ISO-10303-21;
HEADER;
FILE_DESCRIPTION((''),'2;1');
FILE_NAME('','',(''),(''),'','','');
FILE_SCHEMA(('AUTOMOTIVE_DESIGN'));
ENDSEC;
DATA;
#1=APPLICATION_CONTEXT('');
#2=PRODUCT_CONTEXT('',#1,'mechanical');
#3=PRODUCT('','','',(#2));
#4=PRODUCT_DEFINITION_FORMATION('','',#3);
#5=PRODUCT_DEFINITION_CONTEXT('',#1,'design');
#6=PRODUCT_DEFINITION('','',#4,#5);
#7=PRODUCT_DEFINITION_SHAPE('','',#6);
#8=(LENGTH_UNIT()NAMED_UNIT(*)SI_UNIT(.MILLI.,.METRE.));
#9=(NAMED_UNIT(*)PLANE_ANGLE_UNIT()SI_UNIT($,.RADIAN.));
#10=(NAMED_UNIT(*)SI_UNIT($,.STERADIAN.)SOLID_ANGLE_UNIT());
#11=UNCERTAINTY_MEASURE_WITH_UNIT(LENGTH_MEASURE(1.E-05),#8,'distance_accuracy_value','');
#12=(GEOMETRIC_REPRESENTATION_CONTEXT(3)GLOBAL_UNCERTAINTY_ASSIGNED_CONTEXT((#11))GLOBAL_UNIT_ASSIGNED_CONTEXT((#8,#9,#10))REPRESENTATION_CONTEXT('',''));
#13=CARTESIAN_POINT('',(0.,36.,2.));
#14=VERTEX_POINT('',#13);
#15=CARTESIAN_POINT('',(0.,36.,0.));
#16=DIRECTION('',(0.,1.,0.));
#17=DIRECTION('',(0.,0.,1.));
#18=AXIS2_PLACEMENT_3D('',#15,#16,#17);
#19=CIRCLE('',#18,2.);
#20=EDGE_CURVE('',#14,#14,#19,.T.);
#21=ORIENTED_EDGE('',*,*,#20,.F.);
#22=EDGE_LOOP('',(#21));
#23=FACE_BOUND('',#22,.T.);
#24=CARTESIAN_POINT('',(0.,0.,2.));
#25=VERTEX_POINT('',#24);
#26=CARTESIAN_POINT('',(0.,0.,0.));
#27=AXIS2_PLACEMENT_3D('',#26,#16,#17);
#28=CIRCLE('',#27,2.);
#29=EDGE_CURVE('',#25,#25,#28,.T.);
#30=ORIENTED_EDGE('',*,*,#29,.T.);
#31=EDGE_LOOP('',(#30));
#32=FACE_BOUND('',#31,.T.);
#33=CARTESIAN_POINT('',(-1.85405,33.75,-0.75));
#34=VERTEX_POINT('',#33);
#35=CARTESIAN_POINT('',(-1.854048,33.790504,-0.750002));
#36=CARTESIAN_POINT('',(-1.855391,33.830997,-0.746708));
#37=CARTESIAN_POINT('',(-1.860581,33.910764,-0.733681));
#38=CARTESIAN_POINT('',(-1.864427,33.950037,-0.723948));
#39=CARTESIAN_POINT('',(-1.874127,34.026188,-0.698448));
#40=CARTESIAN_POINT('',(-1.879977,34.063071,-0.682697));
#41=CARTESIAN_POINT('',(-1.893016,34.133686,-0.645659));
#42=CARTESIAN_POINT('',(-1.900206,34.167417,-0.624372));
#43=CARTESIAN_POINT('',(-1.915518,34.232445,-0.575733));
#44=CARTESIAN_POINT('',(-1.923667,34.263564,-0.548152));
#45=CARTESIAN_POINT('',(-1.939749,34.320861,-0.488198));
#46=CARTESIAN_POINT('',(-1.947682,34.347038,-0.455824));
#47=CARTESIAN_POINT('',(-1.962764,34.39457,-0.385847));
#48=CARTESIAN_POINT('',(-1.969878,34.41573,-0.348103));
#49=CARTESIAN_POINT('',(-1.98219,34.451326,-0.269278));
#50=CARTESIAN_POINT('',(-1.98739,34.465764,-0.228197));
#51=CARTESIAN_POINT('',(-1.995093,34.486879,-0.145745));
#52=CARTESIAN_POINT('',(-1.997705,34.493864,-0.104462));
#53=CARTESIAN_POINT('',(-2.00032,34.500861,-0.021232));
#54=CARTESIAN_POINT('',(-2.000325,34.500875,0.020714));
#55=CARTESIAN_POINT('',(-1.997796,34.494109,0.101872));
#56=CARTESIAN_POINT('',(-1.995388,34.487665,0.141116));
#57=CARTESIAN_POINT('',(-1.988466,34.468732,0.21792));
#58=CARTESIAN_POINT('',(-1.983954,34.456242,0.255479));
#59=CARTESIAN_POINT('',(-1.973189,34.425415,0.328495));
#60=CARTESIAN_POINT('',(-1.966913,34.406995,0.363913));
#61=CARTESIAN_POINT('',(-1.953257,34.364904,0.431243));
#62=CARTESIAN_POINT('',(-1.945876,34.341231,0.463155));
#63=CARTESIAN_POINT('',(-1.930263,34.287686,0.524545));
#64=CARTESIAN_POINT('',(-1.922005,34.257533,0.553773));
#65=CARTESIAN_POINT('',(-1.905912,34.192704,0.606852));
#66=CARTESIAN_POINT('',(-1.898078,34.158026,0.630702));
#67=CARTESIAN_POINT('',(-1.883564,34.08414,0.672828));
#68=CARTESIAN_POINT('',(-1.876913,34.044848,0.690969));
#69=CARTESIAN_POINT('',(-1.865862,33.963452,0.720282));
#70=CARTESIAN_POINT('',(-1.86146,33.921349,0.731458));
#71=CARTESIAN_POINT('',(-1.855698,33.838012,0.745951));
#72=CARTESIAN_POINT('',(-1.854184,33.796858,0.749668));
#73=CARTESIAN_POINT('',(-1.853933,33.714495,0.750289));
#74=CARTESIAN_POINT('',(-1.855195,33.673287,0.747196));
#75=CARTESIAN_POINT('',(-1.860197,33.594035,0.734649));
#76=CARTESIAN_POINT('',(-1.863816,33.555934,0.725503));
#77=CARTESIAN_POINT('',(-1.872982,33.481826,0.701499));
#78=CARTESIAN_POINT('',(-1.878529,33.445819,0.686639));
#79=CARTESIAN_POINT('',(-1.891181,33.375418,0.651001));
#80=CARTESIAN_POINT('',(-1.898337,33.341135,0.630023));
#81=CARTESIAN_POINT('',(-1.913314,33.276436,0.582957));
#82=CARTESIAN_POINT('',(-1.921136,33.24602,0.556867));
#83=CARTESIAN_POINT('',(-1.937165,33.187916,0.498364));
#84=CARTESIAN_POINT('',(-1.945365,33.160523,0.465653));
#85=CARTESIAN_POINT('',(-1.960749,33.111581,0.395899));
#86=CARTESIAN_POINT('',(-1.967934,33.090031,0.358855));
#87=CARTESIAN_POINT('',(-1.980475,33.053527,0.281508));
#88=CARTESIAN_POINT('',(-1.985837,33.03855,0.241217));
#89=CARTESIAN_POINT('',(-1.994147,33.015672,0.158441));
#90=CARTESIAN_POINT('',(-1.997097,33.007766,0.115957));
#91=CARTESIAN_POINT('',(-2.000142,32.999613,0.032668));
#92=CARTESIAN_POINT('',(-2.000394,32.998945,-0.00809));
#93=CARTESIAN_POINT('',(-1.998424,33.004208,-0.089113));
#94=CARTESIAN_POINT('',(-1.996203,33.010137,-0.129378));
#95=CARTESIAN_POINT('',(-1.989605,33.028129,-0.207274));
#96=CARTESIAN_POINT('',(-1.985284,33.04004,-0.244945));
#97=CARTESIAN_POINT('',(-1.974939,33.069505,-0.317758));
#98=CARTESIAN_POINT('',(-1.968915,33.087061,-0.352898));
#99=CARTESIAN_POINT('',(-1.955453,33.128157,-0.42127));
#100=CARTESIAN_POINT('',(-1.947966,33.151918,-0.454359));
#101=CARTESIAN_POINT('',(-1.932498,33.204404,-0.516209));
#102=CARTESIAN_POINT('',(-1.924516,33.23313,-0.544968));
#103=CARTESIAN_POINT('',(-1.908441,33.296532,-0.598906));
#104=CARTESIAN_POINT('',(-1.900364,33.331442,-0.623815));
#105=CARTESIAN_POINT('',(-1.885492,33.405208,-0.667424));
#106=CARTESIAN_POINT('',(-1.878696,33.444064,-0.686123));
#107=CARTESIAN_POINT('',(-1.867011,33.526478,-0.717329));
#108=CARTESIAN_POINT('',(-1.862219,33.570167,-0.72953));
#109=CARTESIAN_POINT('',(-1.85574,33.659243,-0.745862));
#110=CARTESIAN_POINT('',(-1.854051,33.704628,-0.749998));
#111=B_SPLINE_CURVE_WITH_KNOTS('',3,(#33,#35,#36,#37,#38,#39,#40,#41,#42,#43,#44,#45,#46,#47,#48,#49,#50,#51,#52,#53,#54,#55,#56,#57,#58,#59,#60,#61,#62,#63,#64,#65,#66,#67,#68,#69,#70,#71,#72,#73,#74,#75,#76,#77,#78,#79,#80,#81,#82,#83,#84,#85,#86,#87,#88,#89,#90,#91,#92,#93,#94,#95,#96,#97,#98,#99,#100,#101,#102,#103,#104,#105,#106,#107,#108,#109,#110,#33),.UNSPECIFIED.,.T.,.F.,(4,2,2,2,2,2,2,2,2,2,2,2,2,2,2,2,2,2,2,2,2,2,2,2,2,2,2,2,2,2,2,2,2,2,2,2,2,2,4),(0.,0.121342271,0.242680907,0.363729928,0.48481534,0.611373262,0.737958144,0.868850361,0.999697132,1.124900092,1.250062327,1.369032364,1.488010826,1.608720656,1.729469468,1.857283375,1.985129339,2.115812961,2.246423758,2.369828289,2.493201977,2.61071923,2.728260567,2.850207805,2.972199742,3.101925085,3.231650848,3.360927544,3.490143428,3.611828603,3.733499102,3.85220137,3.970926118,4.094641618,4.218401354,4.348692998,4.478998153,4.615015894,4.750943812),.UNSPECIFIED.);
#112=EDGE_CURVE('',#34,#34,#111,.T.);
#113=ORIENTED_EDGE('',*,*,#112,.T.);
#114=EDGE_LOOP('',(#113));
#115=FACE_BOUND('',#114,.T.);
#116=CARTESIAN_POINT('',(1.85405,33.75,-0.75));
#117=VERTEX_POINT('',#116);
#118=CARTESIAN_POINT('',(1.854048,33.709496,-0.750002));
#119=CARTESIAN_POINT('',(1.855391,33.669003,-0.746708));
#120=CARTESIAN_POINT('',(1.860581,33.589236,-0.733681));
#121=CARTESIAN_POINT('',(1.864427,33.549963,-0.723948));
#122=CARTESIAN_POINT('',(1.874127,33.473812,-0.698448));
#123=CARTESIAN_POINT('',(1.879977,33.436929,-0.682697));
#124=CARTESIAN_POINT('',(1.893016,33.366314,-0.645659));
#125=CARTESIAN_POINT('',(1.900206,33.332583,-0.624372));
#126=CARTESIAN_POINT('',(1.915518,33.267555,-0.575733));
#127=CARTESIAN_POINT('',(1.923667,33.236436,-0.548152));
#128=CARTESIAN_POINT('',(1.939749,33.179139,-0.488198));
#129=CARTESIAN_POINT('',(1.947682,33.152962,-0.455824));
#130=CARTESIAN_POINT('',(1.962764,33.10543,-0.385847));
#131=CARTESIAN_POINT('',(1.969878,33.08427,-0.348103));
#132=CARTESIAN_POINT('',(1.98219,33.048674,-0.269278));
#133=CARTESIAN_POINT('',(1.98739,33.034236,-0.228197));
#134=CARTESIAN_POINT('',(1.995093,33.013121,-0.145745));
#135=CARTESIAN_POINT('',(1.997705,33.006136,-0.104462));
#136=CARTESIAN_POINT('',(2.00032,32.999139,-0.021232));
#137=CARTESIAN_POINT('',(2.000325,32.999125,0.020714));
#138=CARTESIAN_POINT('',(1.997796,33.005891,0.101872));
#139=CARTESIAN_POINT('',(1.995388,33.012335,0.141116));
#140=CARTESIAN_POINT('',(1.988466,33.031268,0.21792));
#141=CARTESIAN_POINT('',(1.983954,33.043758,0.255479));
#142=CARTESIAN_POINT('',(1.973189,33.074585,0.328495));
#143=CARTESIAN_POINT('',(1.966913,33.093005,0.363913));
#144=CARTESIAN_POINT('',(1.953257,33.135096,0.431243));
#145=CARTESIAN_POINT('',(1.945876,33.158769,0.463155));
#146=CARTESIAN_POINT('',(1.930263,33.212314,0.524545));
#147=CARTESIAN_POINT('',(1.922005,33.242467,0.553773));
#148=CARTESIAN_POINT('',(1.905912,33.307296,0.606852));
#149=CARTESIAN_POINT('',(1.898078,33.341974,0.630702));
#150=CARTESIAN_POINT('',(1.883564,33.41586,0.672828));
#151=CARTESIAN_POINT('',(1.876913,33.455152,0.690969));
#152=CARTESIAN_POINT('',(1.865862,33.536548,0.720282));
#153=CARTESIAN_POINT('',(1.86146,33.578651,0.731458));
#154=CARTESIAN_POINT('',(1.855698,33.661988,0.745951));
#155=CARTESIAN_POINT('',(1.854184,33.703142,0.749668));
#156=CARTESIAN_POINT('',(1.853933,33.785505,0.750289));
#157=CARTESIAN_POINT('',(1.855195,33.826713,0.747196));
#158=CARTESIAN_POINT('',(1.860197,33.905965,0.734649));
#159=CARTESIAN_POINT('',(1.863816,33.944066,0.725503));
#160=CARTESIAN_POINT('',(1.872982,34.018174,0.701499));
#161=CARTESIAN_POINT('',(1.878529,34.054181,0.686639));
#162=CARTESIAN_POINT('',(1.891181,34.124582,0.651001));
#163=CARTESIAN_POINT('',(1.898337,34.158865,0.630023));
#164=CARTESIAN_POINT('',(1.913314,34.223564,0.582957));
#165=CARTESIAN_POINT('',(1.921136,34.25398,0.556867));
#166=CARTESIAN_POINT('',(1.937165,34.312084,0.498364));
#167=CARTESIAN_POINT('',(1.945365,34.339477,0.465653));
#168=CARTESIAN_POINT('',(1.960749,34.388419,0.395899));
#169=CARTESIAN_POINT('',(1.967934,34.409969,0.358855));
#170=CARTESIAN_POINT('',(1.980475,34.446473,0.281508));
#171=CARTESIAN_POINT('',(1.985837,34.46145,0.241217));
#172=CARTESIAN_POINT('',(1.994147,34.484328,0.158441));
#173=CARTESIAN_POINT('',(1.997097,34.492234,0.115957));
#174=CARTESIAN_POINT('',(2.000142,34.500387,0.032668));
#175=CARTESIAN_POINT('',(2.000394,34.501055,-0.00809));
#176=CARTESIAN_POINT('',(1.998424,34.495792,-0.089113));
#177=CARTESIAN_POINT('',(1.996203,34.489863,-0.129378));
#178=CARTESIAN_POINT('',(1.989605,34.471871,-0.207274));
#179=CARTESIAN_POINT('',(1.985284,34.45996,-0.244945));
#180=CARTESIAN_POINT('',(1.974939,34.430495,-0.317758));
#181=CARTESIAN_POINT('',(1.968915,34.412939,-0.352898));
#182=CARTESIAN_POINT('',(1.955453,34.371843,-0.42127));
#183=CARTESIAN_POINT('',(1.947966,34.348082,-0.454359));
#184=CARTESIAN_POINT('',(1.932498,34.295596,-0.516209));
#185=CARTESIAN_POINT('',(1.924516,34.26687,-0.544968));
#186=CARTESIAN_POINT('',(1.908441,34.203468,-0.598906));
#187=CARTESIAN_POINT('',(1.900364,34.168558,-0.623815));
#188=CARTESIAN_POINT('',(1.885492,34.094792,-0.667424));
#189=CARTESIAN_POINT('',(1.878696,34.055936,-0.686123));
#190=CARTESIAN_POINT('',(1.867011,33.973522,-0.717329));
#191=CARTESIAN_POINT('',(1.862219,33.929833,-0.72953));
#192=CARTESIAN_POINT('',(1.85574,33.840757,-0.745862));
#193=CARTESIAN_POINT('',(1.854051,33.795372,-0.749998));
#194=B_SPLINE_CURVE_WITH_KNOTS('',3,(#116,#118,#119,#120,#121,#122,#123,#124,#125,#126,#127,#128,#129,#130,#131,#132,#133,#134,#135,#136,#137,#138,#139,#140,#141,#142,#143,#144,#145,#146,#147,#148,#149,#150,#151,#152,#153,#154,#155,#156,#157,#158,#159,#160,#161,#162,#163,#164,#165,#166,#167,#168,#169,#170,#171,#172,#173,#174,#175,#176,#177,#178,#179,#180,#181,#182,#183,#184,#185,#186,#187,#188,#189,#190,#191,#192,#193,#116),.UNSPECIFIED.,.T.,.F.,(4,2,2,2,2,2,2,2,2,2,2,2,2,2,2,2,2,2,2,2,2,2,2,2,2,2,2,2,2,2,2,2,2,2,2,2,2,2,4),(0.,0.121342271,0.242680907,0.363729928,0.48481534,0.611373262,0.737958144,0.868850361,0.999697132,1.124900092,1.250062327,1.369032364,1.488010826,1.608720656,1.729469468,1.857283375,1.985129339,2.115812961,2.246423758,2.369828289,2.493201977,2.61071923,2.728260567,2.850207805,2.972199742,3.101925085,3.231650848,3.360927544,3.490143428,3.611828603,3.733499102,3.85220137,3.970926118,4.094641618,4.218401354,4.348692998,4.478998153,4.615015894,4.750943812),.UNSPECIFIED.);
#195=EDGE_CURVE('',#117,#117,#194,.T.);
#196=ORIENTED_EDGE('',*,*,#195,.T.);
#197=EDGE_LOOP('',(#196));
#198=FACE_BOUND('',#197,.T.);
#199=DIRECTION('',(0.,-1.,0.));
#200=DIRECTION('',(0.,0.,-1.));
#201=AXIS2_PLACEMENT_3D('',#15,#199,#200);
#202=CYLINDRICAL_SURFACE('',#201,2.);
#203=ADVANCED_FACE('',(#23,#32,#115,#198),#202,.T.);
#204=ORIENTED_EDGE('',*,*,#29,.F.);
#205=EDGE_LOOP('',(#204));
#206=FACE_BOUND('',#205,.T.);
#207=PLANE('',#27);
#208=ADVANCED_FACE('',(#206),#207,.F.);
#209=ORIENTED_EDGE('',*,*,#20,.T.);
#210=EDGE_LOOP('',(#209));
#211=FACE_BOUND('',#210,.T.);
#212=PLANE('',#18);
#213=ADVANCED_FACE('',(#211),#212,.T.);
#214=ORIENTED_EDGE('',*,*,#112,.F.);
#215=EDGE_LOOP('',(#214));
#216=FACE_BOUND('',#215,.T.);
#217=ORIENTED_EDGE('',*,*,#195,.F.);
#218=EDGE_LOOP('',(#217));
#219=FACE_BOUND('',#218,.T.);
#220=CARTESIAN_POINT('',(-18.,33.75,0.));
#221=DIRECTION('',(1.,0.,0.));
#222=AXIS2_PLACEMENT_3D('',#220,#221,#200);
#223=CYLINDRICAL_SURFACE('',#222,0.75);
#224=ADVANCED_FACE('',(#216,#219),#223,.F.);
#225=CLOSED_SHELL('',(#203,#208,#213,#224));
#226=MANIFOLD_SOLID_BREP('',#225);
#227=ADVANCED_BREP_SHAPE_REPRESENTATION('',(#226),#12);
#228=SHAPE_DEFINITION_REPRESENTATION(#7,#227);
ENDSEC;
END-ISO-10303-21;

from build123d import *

# Parameters (mm, degrees)
SKETCH1_R           = 2
BOSS_EXTRUDE1_DEPTH = 36
SKETCH2_R           = 0.75
CUT_EXTRUDE1_DEPTH  = 18


with BuildPart() as part:
    # Sketch1 → Boss-Extrude1 (new body)
    with BuildSketch(Plane(origin=(0, 0, 0), x_dir=(1, 0, 0), z_dir=(0, 1, 0))):
        Circle(SKETCH1_R)
    extrude(amount=BOSS_EXTRUDE1_DEPTH)

    # Sketch2 → Cut-Extrude1 (cut, symmetric)
    with BuildSketch(Plane(origin=(0, 0, 0), x_dir=(0, 0, -1), z_dir=(1, 0, 0))):
        with Locations((0, 33.75)):
            Circle(SKETCH2_R)
    extrude(amount=CUT_EXTRUDE1_DEPTH, both=True, mode=Mode.SUBTRACT)


solid = part.part
